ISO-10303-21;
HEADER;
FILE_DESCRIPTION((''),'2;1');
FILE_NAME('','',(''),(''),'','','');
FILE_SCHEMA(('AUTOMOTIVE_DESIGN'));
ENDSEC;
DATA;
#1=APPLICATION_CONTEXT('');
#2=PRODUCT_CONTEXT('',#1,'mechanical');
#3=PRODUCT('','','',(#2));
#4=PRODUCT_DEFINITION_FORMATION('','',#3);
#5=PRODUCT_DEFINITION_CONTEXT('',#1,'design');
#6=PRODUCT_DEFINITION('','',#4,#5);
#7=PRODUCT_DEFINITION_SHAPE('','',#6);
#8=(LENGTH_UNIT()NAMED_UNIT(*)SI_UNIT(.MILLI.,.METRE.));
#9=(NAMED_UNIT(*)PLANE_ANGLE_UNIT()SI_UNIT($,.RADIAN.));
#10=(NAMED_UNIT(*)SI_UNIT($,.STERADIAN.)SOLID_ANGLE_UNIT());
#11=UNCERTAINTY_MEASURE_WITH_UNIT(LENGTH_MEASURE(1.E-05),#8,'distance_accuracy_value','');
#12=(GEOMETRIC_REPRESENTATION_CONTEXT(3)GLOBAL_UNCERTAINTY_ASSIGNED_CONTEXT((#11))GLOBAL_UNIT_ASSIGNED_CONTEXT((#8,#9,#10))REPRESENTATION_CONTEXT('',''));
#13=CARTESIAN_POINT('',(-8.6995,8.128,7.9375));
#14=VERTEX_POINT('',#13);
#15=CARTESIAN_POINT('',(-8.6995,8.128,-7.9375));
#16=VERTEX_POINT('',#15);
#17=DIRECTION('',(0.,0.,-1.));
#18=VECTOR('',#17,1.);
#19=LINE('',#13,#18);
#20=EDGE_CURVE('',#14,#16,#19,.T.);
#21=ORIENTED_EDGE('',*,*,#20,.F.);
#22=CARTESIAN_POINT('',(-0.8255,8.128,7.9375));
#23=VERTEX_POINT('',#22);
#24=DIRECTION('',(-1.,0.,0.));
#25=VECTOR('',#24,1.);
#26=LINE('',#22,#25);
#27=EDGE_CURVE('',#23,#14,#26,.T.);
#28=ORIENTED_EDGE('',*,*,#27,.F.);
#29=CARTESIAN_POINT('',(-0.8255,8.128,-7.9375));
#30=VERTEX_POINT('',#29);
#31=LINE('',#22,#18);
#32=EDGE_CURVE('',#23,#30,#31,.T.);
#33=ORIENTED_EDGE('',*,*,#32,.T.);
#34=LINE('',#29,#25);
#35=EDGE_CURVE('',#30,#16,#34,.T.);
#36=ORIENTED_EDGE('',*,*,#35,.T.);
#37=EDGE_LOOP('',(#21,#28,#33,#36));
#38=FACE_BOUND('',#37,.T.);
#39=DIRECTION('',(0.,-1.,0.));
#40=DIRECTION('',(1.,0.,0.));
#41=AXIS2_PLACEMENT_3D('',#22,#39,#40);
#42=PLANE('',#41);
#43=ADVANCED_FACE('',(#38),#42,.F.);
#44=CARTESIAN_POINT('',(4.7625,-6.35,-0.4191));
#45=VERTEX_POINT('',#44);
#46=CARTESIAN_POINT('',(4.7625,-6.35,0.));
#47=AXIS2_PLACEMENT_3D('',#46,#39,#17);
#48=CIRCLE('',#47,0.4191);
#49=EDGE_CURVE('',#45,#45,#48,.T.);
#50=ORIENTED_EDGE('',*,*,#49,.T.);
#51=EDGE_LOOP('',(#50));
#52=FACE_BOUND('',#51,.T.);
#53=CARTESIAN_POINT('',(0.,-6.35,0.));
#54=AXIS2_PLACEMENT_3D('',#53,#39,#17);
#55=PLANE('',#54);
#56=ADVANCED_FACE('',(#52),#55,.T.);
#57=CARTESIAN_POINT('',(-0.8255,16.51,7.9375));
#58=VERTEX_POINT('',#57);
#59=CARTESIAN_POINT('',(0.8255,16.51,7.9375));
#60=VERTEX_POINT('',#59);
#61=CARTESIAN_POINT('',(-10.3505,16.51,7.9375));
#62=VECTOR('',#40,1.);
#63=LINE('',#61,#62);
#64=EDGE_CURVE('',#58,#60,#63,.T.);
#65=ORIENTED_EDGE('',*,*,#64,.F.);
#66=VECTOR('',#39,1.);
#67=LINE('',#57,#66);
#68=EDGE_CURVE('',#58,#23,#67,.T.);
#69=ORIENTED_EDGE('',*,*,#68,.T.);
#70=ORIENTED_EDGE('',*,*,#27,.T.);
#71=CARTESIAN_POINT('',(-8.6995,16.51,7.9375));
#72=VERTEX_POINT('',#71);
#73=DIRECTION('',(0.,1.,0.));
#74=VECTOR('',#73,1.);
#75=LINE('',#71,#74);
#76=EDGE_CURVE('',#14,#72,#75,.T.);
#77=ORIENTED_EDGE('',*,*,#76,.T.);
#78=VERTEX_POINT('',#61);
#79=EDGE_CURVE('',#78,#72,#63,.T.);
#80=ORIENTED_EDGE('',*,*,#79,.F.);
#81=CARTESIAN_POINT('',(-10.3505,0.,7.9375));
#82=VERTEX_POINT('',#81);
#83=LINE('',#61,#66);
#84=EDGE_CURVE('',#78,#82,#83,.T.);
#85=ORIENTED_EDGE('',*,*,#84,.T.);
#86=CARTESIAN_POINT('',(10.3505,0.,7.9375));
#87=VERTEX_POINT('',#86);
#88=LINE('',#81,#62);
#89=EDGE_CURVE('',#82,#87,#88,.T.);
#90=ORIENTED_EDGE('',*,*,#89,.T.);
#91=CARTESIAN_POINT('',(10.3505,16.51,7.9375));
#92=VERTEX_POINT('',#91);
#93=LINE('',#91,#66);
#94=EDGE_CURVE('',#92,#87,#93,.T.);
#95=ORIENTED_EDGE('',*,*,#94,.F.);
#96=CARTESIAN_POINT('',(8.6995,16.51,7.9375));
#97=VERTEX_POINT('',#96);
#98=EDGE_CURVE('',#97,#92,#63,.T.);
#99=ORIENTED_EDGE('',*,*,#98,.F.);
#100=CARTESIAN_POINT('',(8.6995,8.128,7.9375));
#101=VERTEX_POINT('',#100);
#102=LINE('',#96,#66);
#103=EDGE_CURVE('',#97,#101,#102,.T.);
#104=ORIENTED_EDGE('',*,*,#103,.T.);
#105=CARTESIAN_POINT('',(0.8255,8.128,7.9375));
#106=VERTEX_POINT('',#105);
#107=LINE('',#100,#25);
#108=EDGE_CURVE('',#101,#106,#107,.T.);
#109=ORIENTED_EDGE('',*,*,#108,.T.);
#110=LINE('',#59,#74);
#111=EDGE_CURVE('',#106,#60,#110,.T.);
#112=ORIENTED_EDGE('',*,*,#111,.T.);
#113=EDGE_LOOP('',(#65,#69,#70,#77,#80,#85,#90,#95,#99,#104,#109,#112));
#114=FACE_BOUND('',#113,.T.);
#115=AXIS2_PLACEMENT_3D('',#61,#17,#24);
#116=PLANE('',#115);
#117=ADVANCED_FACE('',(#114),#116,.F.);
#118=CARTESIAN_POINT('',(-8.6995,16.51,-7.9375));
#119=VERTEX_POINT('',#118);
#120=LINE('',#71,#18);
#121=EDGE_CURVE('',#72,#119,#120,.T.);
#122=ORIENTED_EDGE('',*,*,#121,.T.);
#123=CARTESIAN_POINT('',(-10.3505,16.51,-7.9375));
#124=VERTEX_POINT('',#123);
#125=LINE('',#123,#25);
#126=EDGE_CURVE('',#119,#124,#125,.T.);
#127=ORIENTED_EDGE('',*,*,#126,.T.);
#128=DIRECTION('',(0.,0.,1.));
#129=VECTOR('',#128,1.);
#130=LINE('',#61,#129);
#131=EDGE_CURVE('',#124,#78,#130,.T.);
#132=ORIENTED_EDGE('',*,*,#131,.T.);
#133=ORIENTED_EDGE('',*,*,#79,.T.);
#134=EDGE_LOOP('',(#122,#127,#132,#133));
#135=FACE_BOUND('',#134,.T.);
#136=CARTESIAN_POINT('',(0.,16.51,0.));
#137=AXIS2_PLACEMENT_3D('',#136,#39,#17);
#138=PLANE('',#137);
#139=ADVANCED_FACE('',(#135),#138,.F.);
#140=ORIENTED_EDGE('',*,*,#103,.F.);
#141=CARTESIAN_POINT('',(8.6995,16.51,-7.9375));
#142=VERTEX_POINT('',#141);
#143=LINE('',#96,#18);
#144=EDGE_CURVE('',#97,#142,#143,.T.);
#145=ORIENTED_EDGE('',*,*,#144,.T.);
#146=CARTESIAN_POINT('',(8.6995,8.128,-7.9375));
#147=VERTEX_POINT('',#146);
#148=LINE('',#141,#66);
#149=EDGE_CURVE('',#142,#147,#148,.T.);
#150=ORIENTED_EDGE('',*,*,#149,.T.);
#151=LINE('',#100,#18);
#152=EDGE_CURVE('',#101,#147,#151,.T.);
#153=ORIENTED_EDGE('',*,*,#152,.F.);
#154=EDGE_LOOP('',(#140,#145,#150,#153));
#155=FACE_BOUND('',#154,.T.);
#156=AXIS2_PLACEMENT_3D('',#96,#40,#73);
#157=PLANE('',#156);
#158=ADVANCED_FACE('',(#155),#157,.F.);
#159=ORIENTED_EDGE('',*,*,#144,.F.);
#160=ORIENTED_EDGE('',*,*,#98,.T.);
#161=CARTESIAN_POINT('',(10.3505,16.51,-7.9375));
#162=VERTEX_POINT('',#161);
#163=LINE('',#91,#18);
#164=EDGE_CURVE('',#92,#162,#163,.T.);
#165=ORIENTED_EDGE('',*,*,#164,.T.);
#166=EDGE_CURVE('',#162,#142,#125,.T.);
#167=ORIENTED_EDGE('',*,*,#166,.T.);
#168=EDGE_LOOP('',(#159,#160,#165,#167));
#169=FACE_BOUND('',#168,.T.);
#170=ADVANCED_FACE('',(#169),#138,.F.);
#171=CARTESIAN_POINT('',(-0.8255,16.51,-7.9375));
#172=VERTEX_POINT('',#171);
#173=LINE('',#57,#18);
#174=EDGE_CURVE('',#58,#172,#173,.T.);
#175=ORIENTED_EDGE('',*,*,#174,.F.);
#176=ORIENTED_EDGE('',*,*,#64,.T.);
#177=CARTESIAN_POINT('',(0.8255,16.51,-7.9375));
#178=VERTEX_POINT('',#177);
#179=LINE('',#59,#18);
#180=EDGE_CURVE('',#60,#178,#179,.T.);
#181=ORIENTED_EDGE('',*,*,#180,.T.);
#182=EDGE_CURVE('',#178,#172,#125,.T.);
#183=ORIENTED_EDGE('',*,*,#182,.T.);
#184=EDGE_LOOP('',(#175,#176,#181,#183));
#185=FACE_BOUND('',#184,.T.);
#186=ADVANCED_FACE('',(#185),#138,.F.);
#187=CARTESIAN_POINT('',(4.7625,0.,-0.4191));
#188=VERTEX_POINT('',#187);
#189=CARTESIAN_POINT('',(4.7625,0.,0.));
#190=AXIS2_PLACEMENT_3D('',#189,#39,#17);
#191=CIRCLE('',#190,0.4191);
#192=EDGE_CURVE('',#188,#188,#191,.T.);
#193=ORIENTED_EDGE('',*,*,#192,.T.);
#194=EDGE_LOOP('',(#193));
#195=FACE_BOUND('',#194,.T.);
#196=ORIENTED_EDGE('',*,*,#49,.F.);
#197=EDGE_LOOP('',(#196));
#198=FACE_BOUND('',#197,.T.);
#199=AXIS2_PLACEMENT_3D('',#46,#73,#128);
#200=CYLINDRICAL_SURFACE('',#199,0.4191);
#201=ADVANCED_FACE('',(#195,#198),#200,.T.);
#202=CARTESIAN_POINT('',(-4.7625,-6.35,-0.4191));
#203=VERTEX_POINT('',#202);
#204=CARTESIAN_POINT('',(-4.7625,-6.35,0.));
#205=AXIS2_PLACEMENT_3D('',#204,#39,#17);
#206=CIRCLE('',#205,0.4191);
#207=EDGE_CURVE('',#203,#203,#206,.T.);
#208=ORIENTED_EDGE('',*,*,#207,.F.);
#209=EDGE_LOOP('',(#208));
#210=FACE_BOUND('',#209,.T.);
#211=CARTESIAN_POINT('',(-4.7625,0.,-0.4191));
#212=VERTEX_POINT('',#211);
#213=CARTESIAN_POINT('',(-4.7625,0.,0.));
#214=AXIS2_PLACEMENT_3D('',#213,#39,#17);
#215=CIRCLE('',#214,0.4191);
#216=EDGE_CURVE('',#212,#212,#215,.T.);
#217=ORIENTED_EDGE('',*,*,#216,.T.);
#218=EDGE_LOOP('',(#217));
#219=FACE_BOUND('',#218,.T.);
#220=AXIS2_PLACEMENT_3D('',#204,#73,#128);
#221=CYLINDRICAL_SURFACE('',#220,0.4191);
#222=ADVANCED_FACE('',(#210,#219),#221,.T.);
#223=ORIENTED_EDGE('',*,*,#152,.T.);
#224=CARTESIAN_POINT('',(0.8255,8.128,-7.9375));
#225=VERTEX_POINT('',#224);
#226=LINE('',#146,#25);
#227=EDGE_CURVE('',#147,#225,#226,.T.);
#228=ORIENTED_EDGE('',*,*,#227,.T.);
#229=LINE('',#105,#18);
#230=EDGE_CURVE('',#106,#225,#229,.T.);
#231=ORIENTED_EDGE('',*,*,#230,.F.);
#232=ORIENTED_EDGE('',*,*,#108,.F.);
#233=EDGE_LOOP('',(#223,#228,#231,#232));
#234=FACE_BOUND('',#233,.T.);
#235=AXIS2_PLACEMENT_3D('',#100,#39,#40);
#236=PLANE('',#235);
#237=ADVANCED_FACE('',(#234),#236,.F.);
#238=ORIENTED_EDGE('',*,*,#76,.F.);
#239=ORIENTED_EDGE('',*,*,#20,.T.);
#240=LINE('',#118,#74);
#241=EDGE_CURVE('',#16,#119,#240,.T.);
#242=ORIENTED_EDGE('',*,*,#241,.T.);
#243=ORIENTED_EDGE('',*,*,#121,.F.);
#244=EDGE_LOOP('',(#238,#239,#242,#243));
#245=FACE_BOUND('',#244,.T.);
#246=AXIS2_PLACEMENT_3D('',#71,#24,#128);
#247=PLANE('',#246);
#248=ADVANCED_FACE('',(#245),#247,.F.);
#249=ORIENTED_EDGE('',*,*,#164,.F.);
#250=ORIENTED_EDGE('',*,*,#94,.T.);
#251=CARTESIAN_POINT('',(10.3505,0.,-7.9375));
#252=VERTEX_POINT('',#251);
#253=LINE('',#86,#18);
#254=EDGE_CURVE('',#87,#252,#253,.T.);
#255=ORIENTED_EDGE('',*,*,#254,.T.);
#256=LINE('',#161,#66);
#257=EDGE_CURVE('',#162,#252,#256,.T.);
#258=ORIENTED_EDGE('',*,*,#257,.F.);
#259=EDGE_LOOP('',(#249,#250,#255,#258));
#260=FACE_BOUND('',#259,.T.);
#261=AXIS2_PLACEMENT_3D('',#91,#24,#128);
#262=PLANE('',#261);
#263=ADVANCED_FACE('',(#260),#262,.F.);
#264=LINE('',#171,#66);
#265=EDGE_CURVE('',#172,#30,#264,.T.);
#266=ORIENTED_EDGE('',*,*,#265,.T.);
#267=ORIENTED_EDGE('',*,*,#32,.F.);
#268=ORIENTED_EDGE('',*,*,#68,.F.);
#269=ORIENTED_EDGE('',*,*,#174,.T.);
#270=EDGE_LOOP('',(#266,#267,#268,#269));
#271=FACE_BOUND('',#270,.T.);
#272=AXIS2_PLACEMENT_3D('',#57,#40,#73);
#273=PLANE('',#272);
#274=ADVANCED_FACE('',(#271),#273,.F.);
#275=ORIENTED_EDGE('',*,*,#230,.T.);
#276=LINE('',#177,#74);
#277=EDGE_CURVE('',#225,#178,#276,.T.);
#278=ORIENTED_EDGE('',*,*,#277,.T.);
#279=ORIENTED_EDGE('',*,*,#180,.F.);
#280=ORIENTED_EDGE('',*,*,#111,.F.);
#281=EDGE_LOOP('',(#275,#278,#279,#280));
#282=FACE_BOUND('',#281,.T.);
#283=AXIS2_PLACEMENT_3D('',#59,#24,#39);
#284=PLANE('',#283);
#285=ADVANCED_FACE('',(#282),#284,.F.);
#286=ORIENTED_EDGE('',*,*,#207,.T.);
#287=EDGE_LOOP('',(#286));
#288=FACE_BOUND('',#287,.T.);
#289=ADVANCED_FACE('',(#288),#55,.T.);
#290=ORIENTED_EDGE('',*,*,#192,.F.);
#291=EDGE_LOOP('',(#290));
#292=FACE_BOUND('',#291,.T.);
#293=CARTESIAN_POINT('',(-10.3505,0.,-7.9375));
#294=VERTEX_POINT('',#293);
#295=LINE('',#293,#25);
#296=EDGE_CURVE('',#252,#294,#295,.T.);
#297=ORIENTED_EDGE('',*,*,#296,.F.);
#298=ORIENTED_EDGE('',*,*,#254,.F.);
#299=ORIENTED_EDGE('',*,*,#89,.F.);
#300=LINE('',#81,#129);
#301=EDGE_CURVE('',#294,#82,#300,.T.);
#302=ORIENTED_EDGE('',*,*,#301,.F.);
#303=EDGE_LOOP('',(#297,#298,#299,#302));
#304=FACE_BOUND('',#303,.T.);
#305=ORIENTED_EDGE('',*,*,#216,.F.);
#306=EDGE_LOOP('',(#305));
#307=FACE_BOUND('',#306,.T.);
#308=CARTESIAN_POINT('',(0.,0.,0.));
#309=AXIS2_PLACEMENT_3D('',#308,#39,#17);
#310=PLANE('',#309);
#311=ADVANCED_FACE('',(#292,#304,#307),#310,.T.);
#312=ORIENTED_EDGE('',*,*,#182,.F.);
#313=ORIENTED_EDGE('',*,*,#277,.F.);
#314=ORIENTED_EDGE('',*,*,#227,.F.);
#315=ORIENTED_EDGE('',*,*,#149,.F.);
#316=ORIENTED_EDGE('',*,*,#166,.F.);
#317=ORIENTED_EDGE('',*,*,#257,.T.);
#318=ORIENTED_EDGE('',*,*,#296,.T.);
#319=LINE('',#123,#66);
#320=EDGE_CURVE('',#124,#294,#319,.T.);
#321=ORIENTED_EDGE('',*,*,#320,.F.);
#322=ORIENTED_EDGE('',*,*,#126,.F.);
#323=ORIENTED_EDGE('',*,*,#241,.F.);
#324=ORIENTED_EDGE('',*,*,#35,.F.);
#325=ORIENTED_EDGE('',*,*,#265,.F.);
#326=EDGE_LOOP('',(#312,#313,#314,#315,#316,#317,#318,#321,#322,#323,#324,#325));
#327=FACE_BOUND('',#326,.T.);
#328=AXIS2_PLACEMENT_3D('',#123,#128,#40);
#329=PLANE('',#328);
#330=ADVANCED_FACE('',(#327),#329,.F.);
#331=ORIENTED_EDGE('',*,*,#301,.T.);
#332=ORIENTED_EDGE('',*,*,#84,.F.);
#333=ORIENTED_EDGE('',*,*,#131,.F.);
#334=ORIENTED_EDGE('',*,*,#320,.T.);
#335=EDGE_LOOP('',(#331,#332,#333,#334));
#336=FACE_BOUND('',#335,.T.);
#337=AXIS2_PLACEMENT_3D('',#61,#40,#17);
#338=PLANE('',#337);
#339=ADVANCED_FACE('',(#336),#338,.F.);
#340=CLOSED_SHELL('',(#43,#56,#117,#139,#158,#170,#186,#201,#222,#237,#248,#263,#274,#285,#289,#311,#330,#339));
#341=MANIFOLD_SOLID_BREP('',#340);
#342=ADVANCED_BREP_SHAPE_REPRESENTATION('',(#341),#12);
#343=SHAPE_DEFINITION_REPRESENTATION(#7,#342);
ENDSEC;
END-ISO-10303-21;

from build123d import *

# Parameters (mm, degrees)
SKETCH1_W           = 20.701
SKETCH1_H           = 15.875
BOSS_EXTRUDE1_DEPTH = 16.51
SKETCH2_R           = 0.4191
BOSS_EXTRUDE2_DEPTH = 6.35
SKETCH3_W           = 7.874
SKETCH3_H           = 8.382
CUT_EXTRUDE1_DEPTH  = 26.134211252


with BuildPart() as part:
    # Sketch1 → Boss-Extrude1 (new body)
    with BuildSketch(Plane(origin=(0, 0, 0), x_dir=(1, 0, 0), z_dir=(0, 1, 0))):
        Rectangle(SKETCH1_W, SKETCH1_H)
    extrude(amount=BOSS_EXTRUDE1_DEPTH)

    # Sketch2 → Boss-Extrude2 (add)
    with BuildSketch(Plane(origin=(0, 0, 0), x_dir=(-1, 0, 0), z_dir=(0, -1, 0))):
        with Locations((4.7625, 0)):
            Circle(SKETCH2_R)
        with Locations((-4.7625, 0)):
            Circle(SKETCH2_R)
    extrude(amount=BOSS_EXTRUDE2_DEPTH)

    # Sketch3 → Cut-Extrude1 (cut, through all)
    with BuildSketch(Plane(origin=(0, 0, -7.9375), x_dir=(-1, 0, 0), z_dir=(0, 0, -1))):
        with Locations((-4.7625, 12.319)):
            Rectangle(SKETCH3_W, SKETCH3_H)
        with Locations((4.7625, 12.319)):
            Rectangle(SKETCH3_W, SKETCH3_H)
    extrude(amount=-CUT_EXTRUDE1_DEPTH, mode=Mode.SUBTRACT)


solid = part.part
